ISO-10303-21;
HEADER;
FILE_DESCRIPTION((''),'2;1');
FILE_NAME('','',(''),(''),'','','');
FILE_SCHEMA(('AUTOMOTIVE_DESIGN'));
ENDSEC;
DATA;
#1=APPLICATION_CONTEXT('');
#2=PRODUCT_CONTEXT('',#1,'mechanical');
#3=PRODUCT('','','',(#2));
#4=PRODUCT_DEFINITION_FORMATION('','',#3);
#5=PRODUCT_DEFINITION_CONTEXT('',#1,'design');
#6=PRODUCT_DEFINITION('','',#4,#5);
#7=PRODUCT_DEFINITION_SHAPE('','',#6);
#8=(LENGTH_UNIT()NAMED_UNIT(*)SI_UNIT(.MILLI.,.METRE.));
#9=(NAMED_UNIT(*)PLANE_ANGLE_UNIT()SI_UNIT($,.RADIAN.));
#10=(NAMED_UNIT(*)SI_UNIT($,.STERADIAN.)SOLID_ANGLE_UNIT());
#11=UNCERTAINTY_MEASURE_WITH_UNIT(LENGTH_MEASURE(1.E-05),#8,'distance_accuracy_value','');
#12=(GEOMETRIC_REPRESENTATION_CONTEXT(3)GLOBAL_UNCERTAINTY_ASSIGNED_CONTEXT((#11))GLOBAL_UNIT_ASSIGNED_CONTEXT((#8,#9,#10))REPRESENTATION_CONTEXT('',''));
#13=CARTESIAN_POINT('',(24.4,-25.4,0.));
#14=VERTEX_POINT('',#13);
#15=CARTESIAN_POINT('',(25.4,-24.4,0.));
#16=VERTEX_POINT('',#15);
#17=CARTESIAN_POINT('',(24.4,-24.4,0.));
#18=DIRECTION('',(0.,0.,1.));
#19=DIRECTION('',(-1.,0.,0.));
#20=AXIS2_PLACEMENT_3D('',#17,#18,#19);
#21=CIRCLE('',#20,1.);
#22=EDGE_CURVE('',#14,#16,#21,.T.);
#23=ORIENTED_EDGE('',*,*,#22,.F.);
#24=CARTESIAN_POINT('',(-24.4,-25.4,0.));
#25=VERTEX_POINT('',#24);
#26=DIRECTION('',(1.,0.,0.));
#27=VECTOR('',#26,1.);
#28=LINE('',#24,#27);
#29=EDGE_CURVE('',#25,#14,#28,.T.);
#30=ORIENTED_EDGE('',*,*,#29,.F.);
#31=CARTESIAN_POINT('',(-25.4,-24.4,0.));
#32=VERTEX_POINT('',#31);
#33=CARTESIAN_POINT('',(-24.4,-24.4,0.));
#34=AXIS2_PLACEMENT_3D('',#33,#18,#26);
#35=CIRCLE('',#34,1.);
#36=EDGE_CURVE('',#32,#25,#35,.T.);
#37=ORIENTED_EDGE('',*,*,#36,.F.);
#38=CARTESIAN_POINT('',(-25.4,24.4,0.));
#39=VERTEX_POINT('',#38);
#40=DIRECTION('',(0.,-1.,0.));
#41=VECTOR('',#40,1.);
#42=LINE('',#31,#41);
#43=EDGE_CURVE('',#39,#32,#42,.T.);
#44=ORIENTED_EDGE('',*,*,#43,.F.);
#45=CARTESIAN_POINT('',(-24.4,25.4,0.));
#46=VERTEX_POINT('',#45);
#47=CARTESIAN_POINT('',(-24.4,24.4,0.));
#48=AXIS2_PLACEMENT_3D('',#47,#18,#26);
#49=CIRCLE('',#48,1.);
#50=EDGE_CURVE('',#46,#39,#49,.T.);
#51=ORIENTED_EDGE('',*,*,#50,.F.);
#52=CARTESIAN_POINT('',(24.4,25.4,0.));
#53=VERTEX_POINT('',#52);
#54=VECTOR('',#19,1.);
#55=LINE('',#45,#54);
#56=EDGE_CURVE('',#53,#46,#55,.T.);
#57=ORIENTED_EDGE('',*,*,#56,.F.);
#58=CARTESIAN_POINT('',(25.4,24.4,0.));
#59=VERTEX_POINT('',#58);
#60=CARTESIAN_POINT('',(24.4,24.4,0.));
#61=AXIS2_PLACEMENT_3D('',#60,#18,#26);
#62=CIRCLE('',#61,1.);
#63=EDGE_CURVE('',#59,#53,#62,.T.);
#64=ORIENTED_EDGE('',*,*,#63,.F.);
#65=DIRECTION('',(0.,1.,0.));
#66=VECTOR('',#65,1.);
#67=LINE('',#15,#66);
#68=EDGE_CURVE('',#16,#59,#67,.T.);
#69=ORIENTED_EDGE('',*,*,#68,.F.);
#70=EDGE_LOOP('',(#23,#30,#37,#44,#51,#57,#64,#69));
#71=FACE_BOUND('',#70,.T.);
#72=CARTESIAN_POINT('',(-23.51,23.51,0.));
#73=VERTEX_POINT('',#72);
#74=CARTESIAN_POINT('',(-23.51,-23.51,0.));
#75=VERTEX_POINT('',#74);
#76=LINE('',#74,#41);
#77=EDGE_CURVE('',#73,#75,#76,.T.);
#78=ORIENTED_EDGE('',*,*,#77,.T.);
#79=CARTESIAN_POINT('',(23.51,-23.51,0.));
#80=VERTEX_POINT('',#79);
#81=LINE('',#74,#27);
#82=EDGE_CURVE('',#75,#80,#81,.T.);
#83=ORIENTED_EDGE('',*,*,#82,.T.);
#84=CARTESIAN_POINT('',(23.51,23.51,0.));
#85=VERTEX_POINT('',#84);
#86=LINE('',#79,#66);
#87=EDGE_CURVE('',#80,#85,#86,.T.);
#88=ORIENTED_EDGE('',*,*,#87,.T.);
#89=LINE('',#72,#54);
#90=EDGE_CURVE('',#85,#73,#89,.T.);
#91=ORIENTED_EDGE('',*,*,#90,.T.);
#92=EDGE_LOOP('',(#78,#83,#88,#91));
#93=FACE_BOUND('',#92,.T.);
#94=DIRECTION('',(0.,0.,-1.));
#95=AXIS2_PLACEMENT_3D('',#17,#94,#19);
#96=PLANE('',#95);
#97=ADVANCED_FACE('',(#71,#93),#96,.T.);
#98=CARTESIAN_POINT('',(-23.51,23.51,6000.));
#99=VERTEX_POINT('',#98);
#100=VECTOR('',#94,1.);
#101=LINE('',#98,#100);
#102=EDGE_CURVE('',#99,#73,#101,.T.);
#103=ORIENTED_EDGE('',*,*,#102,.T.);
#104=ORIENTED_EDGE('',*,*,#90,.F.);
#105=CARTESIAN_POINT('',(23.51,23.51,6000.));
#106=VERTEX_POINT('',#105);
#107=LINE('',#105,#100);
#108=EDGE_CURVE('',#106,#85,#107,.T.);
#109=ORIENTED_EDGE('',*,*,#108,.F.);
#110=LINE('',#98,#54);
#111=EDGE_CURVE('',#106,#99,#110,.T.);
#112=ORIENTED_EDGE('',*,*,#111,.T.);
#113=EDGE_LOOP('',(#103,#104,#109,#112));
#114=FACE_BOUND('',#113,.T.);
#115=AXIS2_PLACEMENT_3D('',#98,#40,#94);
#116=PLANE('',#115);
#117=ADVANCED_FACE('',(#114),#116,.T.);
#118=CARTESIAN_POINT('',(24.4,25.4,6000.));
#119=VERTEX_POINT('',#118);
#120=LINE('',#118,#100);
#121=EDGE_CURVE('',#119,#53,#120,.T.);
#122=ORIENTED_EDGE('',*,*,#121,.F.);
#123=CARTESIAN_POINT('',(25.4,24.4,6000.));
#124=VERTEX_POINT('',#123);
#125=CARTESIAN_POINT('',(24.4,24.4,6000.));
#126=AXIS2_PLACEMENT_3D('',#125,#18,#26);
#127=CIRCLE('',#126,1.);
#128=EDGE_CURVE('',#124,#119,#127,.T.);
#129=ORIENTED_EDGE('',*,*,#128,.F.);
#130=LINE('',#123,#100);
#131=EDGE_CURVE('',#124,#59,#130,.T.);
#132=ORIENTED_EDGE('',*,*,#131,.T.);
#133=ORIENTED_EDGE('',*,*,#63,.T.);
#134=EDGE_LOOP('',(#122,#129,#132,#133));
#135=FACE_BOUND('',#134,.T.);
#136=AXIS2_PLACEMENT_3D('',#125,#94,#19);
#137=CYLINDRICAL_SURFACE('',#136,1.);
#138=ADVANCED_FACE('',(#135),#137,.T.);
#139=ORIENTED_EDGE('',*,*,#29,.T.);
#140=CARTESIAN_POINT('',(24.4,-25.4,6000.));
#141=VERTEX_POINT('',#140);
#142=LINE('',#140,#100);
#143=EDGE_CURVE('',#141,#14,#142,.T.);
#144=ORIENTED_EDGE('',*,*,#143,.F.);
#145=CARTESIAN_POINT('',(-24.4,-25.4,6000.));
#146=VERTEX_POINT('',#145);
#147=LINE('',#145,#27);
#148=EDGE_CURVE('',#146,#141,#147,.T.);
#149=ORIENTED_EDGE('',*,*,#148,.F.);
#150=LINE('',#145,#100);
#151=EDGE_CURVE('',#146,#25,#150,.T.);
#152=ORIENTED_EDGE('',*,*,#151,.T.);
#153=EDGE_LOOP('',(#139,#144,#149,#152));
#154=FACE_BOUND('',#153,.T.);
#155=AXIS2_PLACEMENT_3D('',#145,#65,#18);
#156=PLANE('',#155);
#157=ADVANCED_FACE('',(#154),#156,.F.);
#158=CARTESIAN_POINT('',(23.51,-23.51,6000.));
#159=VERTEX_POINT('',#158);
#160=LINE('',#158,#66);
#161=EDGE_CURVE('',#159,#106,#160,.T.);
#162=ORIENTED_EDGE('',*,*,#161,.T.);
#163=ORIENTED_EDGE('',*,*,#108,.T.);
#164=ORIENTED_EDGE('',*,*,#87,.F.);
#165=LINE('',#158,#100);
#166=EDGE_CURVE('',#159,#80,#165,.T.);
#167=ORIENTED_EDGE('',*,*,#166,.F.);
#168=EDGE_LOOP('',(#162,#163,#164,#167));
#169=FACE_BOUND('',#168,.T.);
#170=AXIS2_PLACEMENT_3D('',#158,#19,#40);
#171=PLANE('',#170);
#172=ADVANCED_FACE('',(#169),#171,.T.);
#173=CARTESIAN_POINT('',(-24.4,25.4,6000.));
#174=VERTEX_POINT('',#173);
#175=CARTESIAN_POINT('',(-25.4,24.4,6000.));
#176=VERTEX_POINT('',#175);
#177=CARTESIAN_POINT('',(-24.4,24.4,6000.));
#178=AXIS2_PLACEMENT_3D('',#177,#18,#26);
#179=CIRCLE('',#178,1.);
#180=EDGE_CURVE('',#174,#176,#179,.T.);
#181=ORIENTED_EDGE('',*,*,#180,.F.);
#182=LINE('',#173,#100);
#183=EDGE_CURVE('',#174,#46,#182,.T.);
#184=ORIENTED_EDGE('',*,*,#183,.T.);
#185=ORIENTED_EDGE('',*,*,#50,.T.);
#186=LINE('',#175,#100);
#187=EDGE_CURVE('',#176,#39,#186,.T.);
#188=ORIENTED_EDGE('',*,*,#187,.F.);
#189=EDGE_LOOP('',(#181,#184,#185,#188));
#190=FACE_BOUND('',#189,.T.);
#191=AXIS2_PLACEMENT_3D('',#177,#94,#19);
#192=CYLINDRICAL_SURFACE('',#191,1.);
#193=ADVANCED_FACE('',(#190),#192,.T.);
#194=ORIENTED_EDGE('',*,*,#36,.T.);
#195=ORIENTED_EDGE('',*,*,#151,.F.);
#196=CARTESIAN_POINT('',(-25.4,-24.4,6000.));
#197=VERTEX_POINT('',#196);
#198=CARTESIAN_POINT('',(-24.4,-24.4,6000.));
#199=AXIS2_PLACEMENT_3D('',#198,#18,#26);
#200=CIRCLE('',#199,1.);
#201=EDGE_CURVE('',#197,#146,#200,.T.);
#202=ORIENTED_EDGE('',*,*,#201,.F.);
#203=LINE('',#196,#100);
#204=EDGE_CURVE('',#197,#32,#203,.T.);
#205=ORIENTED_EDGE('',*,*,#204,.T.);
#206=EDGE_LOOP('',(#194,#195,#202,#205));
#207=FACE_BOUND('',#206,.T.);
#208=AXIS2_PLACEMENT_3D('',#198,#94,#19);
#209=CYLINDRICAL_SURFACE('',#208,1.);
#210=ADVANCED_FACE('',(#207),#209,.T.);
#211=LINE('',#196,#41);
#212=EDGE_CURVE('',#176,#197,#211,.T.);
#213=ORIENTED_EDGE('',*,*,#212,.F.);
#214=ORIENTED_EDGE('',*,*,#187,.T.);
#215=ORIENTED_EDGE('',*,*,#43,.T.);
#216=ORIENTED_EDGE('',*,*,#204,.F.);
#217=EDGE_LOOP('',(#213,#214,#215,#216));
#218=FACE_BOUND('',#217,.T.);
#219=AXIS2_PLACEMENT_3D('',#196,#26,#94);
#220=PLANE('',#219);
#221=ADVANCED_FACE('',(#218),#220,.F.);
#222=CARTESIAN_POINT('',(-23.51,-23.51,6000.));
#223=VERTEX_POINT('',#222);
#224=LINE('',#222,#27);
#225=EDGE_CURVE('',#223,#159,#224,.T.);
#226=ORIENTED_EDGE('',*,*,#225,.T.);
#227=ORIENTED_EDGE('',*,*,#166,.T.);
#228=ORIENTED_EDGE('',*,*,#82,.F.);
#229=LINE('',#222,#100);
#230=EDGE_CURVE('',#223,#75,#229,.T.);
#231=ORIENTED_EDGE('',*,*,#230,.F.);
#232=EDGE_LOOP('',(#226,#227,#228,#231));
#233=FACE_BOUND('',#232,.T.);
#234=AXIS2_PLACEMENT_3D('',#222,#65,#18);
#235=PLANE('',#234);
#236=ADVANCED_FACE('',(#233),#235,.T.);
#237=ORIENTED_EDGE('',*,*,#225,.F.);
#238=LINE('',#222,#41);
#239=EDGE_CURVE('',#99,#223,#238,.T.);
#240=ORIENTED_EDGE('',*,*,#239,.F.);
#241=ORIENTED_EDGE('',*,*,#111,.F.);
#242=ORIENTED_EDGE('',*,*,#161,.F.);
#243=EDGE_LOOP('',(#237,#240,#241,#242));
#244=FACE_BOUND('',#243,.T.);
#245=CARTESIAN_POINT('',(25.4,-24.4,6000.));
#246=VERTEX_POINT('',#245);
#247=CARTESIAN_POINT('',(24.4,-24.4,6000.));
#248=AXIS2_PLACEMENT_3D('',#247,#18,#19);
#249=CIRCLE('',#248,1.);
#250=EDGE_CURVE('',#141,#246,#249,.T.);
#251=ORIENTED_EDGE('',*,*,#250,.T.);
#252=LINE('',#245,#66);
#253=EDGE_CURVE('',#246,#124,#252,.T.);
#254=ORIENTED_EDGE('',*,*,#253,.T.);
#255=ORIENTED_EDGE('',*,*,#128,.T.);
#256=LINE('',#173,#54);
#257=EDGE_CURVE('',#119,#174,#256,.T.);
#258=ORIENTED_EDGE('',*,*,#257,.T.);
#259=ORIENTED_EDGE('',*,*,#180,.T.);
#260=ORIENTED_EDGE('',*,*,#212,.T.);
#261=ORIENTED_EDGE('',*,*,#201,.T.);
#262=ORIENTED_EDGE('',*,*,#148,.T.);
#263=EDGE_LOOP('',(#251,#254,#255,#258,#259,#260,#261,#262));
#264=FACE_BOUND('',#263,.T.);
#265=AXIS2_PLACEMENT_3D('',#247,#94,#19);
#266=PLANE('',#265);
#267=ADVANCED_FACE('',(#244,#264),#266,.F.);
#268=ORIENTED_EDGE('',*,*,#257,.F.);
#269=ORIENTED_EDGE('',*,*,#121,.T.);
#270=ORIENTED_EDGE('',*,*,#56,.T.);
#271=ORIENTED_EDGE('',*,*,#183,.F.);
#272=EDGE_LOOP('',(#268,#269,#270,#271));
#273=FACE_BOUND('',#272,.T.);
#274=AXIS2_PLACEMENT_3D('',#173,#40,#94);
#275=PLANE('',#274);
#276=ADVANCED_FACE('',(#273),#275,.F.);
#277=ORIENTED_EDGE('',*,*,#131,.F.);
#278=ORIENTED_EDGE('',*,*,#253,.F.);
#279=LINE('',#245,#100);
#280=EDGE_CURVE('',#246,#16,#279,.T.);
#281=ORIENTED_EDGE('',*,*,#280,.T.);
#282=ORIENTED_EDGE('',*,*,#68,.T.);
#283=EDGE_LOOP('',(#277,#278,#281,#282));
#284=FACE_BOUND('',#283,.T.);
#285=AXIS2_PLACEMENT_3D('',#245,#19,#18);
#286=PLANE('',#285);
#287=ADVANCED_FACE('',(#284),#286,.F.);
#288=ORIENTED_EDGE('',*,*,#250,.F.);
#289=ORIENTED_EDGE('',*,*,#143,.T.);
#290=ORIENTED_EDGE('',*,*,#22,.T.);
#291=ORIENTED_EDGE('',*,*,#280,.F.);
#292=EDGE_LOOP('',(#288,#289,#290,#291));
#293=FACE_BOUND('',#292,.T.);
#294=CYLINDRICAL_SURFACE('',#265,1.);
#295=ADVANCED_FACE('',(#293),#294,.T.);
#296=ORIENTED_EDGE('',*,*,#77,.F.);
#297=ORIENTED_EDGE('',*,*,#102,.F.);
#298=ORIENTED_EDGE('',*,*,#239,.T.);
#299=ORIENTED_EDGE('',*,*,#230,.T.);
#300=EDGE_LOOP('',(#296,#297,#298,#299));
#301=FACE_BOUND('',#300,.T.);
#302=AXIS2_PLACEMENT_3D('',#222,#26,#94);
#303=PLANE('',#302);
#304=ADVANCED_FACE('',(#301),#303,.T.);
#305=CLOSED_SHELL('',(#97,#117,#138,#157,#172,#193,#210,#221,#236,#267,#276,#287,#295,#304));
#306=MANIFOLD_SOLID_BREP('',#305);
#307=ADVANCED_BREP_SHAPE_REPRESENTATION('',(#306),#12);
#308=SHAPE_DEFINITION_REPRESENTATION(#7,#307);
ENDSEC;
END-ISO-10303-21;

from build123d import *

# Parameters (mm, degrees)
CROQUIS1_W              = 47.02
CROQUIS1_H              = 47.02
SALIENTE_EXTRUIR1_DEPTH = 6000


with BuildPart() as part:
    # Croquis1 → Saliente-Extruir1 (new body)
    with BuildSketch(Plane.XY):
        with BuildLine():
            Line((-24.4, -25.4), (24.4, -25.4))
            ThreePointArc((24.4, -25.4), (25.107106781, -25.107106781), (25.4, -24.4))
            Line((25.4, -24.4), (25.4, 24.4))
            ThreePointArc((25.4, 24.4), (25.107106781, 25.107106781), (24.4, 25.4))
            Line((24.4, 25.4), (-24.4, 25.4))
            ThreePointArc((-24.4, 25.4), (-25.107106781, 25.107106781), (-25.4, 24.4))
            Line((-25.4, 24.4), (-25.4, -24.4))
            ThreePointArc((-25.4, -24.4), (-25.107106781, -25.107106781), (-24.4, -25.4))
        make_face()
        Rectangle(CROQUIS1_W, CROQUIS1_H, mode=Mode.SUBTRACT)
    extrude(amount=SALIENTE_EXTRUIR1_DEPTH)


solid = part.part
